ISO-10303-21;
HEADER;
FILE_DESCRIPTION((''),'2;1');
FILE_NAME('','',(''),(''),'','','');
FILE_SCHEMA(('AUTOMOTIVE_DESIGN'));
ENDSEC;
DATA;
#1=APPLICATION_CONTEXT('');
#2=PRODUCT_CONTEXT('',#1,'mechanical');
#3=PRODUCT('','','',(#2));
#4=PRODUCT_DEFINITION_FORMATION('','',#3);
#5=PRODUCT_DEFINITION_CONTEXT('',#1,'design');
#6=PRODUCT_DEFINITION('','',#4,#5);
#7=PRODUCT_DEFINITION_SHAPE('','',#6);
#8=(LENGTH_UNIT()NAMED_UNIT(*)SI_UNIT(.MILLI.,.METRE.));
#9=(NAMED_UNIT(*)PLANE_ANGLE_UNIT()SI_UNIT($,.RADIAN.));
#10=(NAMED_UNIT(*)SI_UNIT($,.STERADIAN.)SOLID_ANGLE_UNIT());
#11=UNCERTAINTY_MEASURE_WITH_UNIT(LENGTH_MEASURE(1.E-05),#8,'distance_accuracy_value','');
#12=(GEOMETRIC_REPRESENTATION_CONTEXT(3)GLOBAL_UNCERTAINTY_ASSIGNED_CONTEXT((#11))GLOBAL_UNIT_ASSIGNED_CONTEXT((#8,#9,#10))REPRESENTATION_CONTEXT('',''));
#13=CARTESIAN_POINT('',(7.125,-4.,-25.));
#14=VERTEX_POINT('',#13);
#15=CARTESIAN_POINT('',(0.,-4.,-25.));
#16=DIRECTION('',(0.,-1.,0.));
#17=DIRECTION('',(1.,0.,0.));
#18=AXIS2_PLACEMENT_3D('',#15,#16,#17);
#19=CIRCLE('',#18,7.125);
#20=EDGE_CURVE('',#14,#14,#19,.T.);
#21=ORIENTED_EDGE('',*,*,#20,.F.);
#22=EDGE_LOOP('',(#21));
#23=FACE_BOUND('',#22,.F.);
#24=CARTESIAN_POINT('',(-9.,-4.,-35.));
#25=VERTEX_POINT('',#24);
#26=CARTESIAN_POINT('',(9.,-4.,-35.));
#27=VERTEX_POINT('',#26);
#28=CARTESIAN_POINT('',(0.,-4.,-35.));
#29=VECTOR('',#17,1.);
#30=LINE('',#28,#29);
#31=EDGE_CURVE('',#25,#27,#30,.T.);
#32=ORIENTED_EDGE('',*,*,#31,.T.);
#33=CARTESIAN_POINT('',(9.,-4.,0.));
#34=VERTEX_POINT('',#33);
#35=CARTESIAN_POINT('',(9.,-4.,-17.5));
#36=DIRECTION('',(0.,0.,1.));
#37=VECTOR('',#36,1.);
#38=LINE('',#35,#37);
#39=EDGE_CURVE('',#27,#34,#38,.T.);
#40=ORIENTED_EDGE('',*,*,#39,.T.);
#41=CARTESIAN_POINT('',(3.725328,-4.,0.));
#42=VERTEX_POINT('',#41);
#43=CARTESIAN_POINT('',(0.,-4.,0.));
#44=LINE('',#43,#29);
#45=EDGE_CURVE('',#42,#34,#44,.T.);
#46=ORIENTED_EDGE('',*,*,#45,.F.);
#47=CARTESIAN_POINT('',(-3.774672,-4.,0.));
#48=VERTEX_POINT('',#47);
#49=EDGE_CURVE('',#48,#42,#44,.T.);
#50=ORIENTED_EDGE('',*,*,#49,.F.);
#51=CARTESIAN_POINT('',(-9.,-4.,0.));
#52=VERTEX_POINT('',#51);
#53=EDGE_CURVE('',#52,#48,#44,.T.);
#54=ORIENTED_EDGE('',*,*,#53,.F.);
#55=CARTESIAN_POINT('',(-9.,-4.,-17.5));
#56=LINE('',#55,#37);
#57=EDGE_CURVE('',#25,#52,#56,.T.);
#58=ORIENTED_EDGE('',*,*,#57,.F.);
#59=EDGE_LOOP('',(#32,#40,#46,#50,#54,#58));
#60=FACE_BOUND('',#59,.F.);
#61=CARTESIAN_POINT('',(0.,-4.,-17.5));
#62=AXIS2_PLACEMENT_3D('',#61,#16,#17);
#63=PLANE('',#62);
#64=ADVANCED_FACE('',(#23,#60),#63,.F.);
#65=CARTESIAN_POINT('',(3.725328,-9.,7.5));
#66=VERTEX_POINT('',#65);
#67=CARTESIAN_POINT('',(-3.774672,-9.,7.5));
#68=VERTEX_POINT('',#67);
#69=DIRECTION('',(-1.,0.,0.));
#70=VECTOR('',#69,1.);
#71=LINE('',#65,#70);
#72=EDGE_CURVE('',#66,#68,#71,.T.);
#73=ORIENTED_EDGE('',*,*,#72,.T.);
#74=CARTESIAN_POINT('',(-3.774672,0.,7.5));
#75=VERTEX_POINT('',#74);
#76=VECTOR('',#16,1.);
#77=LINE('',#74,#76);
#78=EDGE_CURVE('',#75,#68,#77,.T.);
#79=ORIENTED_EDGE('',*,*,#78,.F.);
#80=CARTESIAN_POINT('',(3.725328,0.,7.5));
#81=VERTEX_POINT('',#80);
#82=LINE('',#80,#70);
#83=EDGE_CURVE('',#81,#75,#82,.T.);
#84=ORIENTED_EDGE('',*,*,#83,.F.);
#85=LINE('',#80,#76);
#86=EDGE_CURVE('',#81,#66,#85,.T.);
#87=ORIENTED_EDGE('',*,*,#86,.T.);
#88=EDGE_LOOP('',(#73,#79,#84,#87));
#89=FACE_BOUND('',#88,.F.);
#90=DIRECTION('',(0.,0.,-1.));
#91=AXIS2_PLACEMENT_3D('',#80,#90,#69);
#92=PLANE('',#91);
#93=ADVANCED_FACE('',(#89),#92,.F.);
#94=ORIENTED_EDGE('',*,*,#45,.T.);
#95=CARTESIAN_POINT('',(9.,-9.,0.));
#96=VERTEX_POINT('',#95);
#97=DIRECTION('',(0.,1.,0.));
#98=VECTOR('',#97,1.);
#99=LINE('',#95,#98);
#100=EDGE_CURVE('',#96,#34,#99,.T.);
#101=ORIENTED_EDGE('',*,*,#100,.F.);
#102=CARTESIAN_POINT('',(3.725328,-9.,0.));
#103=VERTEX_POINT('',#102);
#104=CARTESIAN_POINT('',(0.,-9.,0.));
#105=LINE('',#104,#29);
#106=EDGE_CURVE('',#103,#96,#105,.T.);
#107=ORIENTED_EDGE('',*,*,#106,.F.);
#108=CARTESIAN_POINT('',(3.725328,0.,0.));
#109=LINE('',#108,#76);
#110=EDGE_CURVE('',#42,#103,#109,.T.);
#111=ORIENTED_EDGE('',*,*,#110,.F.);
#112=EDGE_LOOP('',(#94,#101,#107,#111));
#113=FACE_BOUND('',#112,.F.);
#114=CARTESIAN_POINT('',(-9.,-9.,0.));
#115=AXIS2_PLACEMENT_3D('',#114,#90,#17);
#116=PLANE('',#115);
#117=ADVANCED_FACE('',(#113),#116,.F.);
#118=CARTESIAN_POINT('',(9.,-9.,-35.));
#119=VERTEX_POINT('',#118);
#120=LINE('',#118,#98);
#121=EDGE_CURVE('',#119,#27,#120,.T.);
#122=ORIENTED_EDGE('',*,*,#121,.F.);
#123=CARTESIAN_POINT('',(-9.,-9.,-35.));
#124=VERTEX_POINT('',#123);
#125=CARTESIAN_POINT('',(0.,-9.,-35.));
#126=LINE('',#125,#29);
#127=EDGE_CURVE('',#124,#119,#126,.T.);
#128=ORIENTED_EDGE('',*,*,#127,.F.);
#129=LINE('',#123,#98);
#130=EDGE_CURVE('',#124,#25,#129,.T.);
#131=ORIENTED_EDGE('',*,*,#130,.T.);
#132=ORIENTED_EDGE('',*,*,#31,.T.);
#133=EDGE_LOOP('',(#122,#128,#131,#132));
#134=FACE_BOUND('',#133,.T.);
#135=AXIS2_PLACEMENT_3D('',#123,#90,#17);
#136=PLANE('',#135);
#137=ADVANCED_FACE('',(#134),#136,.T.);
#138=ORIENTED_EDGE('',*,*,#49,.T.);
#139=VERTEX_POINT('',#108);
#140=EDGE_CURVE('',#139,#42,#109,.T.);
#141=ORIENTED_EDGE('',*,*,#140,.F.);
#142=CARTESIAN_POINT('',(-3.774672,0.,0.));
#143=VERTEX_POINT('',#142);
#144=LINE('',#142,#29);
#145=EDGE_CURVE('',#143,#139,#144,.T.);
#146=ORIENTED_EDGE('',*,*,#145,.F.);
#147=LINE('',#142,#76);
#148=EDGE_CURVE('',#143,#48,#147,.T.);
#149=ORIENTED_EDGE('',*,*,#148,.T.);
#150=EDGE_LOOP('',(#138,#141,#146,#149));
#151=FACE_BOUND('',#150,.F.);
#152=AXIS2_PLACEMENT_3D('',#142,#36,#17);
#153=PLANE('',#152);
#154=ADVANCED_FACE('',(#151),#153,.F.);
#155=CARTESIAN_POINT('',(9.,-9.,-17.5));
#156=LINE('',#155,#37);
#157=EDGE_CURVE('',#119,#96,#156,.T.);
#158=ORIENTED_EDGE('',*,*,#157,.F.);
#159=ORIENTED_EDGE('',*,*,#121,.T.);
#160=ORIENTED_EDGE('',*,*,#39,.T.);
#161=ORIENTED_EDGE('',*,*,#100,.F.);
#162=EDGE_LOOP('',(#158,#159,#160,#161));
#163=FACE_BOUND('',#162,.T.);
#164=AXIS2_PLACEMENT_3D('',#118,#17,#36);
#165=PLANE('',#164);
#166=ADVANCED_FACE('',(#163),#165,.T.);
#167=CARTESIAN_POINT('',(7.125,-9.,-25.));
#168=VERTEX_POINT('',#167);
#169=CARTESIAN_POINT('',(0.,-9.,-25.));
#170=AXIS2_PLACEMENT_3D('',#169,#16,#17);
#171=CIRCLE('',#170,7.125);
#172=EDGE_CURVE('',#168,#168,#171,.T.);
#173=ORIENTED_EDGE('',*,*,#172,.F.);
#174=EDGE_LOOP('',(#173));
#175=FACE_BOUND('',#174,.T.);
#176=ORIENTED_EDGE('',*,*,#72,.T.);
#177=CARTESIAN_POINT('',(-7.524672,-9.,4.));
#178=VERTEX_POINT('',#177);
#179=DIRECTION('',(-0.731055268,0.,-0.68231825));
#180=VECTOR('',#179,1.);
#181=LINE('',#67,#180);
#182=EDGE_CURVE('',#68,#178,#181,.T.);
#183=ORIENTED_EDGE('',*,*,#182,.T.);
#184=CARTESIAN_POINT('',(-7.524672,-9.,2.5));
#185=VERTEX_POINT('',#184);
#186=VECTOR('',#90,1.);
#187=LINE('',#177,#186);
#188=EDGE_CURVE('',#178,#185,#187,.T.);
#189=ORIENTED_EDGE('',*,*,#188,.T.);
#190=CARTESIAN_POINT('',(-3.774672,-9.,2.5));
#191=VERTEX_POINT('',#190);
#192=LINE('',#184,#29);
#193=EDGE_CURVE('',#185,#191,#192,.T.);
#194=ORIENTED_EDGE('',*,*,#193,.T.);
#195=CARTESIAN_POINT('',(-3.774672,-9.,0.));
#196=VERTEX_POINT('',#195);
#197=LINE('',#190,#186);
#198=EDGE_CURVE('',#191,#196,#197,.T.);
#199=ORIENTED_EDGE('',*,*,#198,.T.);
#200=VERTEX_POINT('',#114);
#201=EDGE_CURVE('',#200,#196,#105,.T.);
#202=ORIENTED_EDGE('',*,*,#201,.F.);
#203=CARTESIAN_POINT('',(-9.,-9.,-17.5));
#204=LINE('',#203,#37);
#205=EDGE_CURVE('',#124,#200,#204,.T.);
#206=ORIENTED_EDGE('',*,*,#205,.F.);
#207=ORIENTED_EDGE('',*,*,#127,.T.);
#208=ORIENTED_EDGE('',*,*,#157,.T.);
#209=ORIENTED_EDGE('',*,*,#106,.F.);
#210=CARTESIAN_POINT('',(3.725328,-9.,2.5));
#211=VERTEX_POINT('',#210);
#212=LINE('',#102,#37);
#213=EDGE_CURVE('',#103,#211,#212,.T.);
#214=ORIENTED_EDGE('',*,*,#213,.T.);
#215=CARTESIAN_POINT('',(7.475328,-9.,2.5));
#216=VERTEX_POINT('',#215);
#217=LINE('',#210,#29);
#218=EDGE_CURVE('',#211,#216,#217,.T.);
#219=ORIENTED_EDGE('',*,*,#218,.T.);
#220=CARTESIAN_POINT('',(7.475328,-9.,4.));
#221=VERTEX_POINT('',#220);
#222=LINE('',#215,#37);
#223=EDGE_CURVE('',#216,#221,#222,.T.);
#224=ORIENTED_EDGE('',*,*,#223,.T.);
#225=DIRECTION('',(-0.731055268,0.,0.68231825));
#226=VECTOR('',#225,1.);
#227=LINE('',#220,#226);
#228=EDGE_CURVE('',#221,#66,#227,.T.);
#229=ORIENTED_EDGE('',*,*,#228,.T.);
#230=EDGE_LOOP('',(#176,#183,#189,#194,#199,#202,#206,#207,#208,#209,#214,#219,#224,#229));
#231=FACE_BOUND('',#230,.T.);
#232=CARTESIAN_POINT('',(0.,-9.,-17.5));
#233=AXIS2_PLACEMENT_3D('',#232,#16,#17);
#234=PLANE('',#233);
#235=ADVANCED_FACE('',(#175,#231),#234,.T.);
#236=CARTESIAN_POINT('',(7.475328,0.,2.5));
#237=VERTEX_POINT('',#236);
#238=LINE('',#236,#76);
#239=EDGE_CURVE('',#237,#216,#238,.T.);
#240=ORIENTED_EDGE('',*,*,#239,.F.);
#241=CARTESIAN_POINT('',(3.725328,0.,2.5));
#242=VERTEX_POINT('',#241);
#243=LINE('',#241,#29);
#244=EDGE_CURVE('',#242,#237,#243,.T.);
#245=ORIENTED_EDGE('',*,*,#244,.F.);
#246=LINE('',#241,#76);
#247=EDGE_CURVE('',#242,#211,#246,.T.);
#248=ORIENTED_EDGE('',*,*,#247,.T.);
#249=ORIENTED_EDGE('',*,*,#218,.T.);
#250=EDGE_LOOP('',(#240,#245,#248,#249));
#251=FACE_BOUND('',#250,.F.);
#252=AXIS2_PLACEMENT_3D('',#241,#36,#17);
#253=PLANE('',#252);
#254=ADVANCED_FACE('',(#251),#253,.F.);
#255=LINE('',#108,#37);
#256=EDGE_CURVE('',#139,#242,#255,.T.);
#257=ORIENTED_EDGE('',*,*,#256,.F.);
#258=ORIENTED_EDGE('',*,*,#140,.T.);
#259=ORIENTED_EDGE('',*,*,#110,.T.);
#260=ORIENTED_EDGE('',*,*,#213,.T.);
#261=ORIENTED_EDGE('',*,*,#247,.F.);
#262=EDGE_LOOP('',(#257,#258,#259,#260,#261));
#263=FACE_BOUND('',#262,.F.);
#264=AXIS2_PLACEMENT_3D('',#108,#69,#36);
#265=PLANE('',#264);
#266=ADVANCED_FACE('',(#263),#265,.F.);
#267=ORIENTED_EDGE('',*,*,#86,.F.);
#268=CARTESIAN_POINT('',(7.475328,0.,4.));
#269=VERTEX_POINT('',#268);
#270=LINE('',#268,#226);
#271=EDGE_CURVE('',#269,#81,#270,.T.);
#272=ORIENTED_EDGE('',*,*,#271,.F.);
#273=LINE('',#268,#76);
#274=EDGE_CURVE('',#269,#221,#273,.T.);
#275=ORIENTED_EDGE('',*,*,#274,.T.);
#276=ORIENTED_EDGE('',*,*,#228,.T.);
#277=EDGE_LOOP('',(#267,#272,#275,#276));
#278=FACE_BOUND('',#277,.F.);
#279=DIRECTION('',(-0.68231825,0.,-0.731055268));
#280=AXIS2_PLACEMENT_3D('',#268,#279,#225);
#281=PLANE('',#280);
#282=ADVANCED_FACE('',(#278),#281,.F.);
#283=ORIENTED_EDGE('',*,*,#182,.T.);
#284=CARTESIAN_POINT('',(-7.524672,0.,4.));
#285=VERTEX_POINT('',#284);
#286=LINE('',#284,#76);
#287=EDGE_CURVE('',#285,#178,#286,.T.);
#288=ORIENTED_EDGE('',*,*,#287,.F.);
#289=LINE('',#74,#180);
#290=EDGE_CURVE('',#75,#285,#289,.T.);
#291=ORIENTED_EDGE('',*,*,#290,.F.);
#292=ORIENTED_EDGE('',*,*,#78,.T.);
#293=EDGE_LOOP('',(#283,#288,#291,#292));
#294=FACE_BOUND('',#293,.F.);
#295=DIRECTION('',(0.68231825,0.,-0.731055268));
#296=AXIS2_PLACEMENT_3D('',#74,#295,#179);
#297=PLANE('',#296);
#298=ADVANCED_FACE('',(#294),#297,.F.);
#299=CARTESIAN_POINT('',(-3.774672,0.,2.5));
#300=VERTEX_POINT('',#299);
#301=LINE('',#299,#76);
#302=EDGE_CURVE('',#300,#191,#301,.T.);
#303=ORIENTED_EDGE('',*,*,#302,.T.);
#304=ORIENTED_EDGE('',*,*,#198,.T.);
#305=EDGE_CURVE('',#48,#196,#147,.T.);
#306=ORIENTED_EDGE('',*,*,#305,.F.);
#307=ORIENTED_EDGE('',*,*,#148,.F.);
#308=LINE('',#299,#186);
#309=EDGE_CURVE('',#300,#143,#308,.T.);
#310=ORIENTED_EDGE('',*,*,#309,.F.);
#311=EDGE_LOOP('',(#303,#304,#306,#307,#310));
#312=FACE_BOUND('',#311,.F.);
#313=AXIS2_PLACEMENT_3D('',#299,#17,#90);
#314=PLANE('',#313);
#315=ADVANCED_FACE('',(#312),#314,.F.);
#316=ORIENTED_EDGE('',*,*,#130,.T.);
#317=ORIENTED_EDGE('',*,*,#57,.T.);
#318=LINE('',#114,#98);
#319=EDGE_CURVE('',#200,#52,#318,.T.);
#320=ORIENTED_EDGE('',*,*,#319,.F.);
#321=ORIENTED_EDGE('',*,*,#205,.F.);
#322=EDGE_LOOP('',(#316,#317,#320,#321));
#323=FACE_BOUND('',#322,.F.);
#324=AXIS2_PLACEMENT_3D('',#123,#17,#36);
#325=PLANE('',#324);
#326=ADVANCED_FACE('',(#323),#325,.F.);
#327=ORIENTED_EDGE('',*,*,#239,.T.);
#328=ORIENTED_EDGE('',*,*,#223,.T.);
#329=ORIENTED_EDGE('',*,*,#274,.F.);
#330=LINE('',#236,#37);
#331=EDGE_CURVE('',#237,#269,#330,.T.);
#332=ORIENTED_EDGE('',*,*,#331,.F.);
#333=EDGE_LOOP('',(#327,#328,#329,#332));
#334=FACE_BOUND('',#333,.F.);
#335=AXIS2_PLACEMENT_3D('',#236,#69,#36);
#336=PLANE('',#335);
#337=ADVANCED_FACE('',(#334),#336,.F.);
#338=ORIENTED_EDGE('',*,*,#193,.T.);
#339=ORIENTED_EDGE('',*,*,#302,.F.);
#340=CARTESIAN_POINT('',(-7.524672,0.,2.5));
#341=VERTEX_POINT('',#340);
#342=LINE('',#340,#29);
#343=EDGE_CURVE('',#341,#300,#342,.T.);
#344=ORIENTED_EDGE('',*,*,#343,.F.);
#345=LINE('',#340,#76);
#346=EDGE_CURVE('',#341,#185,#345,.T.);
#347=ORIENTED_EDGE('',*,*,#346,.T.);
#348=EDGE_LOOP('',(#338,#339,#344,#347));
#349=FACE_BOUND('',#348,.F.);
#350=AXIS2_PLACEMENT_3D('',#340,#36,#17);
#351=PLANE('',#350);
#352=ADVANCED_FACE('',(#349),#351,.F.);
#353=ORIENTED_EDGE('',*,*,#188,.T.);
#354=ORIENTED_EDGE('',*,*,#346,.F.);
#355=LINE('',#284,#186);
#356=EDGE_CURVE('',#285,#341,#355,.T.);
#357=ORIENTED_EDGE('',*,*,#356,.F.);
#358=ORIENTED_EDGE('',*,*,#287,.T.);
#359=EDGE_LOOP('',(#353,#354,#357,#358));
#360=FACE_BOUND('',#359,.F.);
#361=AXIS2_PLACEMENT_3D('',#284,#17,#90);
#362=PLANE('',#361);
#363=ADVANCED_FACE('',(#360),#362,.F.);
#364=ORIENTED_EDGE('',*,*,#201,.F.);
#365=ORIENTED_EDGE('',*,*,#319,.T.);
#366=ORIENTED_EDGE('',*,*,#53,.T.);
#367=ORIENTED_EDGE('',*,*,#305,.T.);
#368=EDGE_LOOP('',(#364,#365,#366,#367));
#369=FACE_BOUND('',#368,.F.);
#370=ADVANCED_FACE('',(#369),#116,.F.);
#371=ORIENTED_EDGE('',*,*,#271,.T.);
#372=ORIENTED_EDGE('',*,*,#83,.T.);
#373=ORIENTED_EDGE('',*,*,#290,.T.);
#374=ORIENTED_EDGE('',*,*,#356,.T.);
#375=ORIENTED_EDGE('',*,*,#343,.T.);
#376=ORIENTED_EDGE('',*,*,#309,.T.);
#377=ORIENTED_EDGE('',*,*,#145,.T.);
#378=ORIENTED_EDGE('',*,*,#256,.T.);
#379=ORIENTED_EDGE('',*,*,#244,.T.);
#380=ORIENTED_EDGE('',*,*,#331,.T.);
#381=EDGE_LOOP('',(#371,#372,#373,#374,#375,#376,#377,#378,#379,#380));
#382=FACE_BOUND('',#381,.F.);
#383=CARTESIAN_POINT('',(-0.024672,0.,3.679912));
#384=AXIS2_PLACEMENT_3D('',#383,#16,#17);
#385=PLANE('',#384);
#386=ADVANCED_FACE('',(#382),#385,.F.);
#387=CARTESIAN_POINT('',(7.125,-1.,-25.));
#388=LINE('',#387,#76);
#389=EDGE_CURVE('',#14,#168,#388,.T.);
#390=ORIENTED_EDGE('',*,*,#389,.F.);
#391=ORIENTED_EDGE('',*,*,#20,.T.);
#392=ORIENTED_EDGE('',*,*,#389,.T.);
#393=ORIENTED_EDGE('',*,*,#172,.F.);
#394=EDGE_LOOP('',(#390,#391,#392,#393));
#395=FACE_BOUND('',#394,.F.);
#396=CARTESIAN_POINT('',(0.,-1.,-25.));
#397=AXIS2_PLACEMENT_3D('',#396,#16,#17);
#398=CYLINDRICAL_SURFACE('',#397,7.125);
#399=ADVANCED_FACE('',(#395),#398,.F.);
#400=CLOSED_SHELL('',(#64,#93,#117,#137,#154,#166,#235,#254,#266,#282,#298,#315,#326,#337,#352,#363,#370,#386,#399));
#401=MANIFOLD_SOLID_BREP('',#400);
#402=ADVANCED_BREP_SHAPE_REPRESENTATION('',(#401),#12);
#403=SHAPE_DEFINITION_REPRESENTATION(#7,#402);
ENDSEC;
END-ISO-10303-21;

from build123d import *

# Parameters (mm, degrees)
F1_DEPTH       = 9
F2_W           = 18
F2_H           = 35
F3_DEPTH       = 5
F5_D           = 8.8
F5_DEPTH       = 10
F5_CBORE_D     = 14.25
F5_CBORE_DEPTH = 8
F5_TIP         = 2.6437867237


with BuildPart() as f1:
    # F0 (on Front) → F1 (new body)
    with BuildSketch(Plane.XZ):
        Polygon((-3.7746716016, 2.5), (-3.7746716016, 0), (3.7253283984, 0), (3.7253283984, 2.5), (7.4753283984, 2.5), (7.4753283984, 4), (3.7253283984, 7.5), (-3.7746716016, 7.5), (-7.5246716016, 4), (-7.5246716016, 2.5), align=None)
    extrude(amount=F1_DEPTH)

    # F2 (on face) → F3 (join)
    with BuildSketch(Plane.XZ.offset(9)):
        with Locations((0, -17.5)):
            Rectangle(F2_W, F2_H)
    extrude(amount=-F3_DEPTH)

    # F5
    with Locations(Plane.XZ.offset(9)):
        with Locations((0, -25)):
            CounterBoreHole(F5_D / 2, F5_CBORE_D / 2, F5_CBORE_DEPTH, depth=F5_DEPTH)
            with Locations((0, 0, -(F5_DEPTH + F5_TIP / 2))):  # 118° drill point
                Cone(0, F5_D / 2, F5_TIP, mode=Mode.SUBTRACT)


solid = f1.part
